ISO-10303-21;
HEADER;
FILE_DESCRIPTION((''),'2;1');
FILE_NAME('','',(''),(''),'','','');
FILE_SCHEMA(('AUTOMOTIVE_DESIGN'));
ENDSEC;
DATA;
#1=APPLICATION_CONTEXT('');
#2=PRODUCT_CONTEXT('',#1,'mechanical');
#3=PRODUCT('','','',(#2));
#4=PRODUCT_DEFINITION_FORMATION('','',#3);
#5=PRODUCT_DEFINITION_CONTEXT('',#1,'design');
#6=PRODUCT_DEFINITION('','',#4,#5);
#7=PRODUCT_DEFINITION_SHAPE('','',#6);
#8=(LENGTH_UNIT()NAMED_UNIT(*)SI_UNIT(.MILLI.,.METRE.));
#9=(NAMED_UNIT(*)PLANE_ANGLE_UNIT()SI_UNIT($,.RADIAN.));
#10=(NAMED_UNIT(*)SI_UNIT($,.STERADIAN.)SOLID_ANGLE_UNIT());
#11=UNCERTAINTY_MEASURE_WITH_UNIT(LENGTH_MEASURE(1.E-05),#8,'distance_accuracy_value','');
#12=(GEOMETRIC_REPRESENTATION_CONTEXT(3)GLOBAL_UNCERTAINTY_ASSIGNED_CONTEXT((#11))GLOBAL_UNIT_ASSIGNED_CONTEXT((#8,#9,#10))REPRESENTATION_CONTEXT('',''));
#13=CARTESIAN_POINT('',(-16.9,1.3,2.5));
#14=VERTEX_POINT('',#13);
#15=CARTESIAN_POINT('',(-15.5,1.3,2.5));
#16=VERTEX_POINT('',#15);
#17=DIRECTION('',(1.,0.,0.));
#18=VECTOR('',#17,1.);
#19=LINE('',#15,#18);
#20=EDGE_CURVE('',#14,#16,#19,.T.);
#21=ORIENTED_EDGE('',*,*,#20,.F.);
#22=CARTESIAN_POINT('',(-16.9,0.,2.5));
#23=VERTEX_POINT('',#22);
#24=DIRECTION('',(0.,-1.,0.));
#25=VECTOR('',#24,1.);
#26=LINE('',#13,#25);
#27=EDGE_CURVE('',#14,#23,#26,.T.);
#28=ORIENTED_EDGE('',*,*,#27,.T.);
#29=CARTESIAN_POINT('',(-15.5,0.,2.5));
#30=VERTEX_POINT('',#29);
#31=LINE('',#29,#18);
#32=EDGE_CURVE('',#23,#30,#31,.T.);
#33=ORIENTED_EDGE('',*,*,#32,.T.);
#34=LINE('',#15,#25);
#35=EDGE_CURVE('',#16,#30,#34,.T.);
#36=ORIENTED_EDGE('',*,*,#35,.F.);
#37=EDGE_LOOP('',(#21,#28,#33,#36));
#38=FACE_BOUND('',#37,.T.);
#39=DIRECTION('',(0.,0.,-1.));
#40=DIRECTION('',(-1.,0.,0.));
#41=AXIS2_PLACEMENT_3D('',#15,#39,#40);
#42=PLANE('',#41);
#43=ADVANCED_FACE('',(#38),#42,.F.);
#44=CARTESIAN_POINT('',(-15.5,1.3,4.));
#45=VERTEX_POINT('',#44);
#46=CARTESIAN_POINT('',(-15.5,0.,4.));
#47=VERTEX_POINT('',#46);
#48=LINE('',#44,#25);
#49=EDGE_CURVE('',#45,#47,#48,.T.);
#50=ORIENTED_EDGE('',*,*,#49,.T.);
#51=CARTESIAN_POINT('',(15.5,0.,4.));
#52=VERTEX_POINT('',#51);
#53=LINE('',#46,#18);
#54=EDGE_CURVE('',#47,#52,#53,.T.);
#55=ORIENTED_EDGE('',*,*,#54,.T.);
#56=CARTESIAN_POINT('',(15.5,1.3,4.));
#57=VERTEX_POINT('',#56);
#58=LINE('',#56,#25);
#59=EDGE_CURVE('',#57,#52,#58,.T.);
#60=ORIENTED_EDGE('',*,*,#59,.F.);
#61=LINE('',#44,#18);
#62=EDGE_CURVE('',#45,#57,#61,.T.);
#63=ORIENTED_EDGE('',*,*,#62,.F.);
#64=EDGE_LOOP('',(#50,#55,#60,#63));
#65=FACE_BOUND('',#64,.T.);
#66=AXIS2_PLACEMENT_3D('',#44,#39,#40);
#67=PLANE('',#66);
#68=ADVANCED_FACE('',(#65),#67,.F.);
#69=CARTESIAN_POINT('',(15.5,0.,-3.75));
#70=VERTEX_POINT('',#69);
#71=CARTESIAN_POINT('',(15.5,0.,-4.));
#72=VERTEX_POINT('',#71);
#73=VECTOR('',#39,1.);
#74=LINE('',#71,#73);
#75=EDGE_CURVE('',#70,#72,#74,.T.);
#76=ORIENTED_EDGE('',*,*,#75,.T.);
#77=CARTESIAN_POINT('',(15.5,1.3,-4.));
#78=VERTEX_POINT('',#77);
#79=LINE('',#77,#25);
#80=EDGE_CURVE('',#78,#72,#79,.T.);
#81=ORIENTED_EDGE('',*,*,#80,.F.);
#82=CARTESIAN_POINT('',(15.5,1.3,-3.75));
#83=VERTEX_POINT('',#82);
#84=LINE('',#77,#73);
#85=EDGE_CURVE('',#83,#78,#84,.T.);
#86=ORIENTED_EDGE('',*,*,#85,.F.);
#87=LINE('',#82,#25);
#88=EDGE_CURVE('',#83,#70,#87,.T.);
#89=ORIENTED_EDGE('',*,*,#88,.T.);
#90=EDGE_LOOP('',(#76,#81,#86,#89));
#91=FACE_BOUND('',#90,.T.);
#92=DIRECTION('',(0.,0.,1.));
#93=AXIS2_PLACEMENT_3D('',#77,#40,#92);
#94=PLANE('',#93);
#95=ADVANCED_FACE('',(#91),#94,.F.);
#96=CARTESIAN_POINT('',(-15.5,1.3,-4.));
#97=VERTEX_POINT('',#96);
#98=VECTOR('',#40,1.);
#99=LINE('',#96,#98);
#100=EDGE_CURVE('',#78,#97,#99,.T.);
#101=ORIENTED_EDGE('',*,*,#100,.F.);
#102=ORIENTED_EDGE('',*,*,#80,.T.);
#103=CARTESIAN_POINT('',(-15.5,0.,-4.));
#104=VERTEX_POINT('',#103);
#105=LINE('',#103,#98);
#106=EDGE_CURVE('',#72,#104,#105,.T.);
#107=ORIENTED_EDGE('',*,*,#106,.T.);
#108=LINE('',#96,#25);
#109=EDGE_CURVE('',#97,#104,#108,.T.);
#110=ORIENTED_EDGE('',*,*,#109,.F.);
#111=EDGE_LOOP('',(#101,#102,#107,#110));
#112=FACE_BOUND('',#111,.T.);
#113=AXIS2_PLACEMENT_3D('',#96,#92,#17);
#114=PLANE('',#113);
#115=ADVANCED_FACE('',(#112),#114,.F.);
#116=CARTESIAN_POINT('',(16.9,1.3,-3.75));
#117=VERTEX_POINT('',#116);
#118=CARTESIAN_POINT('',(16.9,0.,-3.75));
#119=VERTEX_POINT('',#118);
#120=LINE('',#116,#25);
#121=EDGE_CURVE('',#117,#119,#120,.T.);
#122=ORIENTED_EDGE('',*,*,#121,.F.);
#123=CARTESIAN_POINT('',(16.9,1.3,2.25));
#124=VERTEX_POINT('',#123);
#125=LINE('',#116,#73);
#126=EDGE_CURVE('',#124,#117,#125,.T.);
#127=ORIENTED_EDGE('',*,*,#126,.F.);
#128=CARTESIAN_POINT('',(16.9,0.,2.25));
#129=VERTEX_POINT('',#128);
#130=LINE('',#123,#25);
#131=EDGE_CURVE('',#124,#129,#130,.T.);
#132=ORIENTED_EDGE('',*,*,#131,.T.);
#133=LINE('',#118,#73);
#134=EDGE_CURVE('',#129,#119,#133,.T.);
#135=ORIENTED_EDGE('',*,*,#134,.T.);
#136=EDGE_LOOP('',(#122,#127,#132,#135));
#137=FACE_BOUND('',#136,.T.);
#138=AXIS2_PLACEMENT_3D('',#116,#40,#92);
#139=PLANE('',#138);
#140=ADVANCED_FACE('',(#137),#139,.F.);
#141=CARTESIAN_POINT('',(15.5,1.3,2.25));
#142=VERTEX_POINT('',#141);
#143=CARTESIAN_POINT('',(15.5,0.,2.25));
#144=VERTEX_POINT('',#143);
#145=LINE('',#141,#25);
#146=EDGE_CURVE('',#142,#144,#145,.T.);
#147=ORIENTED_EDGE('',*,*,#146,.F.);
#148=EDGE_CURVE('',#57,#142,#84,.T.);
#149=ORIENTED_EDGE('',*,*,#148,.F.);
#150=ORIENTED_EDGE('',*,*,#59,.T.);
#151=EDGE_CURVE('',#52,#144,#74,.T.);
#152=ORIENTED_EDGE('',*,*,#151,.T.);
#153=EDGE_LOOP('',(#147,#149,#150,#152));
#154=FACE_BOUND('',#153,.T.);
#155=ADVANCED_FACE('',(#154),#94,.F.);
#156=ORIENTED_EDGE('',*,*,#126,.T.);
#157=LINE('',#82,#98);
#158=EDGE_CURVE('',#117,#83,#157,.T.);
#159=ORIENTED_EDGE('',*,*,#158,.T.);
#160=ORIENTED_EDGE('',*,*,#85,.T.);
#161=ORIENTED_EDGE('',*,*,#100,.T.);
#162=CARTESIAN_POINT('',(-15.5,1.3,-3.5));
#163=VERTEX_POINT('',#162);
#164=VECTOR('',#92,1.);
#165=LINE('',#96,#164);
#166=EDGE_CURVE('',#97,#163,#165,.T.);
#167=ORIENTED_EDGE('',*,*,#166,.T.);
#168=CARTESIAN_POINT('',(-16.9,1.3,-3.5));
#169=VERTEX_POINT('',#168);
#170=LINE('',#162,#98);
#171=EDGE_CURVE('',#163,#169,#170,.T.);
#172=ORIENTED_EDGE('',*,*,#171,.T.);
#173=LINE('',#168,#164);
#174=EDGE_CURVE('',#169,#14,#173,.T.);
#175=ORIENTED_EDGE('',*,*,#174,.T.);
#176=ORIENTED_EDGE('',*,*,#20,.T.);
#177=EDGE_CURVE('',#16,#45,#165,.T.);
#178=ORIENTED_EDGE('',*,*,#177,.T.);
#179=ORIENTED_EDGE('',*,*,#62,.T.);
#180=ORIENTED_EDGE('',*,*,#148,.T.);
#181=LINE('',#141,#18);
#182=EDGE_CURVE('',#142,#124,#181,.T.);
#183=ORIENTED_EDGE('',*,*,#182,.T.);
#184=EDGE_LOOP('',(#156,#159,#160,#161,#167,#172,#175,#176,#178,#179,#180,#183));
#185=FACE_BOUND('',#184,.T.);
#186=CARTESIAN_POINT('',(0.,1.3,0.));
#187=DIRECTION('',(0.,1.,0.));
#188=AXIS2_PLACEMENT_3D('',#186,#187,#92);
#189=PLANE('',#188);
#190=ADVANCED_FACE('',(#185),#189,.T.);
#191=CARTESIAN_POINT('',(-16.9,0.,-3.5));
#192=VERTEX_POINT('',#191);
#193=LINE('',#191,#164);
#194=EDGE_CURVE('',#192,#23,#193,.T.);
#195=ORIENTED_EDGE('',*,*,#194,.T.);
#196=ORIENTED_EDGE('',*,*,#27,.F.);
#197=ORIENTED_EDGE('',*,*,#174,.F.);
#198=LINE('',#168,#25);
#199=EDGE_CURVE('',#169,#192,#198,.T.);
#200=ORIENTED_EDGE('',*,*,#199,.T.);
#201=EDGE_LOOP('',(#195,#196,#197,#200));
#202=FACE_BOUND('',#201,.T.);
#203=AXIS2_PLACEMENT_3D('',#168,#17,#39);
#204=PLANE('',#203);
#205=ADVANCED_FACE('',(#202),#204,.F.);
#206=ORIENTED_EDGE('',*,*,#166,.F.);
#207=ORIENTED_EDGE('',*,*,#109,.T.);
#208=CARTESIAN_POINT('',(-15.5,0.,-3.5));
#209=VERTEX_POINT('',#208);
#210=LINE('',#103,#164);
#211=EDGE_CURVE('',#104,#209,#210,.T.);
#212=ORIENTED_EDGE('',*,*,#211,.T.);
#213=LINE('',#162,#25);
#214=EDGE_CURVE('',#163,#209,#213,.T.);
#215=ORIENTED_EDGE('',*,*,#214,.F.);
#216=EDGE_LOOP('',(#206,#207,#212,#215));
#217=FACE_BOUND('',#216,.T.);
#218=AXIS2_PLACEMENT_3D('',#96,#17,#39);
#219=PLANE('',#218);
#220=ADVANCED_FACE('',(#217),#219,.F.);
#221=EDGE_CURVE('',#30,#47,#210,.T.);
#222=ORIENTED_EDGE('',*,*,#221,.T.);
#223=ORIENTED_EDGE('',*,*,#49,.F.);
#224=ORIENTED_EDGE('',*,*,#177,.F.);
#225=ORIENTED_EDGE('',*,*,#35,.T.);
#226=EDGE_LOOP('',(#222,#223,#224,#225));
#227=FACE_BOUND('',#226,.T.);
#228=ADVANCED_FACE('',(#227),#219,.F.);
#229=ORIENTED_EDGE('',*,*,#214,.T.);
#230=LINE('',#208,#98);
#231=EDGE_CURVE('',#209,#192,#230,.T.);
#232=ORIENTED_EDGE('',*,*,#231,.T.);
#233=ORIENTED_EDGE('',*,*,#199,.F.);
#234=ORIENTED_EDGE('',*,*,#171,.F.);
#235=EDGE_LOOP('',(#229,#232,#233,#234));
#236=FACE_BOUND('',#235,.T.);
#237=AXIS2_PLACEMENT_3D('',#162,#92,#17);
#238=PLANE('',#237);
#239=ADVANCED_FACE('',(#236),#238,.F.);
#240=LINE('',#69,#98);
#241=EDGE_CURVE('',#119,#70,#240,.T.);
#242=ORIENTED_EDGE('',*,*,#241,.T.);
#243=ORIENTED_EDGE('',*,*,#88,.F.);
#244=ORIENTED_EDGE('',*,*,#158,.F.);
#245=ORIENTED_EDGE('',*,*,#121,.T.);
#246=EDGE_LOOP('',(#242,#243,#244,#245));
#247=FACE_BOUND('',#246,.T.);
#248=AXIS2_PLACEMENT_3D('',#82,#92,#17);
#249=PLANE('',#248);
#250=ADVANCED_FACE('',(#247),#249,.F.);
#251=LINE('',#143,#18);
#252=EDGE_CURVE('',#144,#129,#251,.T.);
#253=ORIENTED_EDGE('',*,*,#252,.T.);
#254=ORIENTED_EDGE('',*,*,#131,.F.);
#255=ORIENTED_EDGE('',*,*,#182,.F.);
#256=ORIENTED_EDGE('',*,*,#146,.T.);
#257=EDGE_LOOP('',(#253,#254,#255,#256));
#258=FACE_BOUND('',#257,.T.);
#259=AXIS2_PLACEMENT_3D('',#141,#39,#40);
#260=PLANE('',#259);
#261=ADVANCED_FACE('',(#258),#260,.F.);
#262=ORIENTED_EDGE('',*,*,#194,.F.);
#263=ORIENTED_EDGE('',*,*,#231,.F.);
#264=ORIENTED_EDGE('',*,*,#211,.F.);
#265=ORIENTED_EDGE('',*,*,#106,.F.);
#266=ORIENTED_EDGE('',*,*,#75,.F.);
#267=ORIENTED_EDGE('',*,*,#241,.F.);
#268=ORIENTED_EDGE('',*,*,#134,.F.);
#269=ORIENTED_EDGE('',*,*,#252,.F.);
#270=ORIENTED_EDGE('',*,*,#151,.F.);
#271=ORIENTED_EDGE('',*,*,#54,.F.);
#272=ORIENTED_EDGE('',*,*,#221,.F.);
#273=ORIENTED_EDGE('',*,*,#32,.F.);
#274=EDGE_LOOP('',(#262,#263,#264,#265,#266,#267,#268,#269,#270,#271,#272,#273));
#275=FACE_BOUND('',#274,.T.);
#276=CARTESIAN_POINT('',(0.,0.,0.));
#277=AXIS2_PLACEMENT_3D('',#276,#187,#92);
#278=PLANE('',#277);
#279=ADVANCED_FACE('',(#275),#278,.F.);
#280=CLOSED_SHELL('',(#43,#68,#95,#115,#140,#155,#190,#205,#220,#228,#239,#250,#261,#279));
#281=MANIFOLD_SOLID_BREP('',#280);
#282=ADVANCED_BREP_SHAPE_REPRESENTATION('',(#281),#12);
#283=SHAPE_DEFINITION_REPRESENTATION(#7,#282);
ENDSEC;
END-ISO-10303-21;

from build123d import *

# Parameters (mm, degrees)
SKETCH1_W           = 31
SKETCH1_H           = 8
BOSS_EXTRUDE1_DEPTH = 1.3
SKETCH2_W           = 1.4
SKETCH2_H           = 6
BOSS_EXTRUDE2_DEPTH = 1.3


with BuildPart() as part:
    # Sketch1 → Boss-Extrude1 (new body)
    with BuildSketch(Plane(origin=(0, 0, 0), x_dir=(1, 0, 0), z_dir=(0, 1, 0))):
        Rectangle(SKETCH1_W, SKETCH1_H)
    extrude(amount=BOSS_EXTRUDE1_DEPTH)

    # Sketch2 → Boss-Extrude2 (add)
    with BuildSketch(Plane(origin=(0, 0, 0), x_dir=(1, 0, 0), z_dir=(0, 1, 0))):
        with Locations((-16.2, 0.5)):
            Rectangle(SKETCH2_W, SKETCH2_H)
        with Locations((16.2, 0.75)):
            Rectangle(SKETCH2_W, SKETCH2_H)
    extrude(amount=BOSS_EXTRUDE2_DEPTH)


solid = part.part
